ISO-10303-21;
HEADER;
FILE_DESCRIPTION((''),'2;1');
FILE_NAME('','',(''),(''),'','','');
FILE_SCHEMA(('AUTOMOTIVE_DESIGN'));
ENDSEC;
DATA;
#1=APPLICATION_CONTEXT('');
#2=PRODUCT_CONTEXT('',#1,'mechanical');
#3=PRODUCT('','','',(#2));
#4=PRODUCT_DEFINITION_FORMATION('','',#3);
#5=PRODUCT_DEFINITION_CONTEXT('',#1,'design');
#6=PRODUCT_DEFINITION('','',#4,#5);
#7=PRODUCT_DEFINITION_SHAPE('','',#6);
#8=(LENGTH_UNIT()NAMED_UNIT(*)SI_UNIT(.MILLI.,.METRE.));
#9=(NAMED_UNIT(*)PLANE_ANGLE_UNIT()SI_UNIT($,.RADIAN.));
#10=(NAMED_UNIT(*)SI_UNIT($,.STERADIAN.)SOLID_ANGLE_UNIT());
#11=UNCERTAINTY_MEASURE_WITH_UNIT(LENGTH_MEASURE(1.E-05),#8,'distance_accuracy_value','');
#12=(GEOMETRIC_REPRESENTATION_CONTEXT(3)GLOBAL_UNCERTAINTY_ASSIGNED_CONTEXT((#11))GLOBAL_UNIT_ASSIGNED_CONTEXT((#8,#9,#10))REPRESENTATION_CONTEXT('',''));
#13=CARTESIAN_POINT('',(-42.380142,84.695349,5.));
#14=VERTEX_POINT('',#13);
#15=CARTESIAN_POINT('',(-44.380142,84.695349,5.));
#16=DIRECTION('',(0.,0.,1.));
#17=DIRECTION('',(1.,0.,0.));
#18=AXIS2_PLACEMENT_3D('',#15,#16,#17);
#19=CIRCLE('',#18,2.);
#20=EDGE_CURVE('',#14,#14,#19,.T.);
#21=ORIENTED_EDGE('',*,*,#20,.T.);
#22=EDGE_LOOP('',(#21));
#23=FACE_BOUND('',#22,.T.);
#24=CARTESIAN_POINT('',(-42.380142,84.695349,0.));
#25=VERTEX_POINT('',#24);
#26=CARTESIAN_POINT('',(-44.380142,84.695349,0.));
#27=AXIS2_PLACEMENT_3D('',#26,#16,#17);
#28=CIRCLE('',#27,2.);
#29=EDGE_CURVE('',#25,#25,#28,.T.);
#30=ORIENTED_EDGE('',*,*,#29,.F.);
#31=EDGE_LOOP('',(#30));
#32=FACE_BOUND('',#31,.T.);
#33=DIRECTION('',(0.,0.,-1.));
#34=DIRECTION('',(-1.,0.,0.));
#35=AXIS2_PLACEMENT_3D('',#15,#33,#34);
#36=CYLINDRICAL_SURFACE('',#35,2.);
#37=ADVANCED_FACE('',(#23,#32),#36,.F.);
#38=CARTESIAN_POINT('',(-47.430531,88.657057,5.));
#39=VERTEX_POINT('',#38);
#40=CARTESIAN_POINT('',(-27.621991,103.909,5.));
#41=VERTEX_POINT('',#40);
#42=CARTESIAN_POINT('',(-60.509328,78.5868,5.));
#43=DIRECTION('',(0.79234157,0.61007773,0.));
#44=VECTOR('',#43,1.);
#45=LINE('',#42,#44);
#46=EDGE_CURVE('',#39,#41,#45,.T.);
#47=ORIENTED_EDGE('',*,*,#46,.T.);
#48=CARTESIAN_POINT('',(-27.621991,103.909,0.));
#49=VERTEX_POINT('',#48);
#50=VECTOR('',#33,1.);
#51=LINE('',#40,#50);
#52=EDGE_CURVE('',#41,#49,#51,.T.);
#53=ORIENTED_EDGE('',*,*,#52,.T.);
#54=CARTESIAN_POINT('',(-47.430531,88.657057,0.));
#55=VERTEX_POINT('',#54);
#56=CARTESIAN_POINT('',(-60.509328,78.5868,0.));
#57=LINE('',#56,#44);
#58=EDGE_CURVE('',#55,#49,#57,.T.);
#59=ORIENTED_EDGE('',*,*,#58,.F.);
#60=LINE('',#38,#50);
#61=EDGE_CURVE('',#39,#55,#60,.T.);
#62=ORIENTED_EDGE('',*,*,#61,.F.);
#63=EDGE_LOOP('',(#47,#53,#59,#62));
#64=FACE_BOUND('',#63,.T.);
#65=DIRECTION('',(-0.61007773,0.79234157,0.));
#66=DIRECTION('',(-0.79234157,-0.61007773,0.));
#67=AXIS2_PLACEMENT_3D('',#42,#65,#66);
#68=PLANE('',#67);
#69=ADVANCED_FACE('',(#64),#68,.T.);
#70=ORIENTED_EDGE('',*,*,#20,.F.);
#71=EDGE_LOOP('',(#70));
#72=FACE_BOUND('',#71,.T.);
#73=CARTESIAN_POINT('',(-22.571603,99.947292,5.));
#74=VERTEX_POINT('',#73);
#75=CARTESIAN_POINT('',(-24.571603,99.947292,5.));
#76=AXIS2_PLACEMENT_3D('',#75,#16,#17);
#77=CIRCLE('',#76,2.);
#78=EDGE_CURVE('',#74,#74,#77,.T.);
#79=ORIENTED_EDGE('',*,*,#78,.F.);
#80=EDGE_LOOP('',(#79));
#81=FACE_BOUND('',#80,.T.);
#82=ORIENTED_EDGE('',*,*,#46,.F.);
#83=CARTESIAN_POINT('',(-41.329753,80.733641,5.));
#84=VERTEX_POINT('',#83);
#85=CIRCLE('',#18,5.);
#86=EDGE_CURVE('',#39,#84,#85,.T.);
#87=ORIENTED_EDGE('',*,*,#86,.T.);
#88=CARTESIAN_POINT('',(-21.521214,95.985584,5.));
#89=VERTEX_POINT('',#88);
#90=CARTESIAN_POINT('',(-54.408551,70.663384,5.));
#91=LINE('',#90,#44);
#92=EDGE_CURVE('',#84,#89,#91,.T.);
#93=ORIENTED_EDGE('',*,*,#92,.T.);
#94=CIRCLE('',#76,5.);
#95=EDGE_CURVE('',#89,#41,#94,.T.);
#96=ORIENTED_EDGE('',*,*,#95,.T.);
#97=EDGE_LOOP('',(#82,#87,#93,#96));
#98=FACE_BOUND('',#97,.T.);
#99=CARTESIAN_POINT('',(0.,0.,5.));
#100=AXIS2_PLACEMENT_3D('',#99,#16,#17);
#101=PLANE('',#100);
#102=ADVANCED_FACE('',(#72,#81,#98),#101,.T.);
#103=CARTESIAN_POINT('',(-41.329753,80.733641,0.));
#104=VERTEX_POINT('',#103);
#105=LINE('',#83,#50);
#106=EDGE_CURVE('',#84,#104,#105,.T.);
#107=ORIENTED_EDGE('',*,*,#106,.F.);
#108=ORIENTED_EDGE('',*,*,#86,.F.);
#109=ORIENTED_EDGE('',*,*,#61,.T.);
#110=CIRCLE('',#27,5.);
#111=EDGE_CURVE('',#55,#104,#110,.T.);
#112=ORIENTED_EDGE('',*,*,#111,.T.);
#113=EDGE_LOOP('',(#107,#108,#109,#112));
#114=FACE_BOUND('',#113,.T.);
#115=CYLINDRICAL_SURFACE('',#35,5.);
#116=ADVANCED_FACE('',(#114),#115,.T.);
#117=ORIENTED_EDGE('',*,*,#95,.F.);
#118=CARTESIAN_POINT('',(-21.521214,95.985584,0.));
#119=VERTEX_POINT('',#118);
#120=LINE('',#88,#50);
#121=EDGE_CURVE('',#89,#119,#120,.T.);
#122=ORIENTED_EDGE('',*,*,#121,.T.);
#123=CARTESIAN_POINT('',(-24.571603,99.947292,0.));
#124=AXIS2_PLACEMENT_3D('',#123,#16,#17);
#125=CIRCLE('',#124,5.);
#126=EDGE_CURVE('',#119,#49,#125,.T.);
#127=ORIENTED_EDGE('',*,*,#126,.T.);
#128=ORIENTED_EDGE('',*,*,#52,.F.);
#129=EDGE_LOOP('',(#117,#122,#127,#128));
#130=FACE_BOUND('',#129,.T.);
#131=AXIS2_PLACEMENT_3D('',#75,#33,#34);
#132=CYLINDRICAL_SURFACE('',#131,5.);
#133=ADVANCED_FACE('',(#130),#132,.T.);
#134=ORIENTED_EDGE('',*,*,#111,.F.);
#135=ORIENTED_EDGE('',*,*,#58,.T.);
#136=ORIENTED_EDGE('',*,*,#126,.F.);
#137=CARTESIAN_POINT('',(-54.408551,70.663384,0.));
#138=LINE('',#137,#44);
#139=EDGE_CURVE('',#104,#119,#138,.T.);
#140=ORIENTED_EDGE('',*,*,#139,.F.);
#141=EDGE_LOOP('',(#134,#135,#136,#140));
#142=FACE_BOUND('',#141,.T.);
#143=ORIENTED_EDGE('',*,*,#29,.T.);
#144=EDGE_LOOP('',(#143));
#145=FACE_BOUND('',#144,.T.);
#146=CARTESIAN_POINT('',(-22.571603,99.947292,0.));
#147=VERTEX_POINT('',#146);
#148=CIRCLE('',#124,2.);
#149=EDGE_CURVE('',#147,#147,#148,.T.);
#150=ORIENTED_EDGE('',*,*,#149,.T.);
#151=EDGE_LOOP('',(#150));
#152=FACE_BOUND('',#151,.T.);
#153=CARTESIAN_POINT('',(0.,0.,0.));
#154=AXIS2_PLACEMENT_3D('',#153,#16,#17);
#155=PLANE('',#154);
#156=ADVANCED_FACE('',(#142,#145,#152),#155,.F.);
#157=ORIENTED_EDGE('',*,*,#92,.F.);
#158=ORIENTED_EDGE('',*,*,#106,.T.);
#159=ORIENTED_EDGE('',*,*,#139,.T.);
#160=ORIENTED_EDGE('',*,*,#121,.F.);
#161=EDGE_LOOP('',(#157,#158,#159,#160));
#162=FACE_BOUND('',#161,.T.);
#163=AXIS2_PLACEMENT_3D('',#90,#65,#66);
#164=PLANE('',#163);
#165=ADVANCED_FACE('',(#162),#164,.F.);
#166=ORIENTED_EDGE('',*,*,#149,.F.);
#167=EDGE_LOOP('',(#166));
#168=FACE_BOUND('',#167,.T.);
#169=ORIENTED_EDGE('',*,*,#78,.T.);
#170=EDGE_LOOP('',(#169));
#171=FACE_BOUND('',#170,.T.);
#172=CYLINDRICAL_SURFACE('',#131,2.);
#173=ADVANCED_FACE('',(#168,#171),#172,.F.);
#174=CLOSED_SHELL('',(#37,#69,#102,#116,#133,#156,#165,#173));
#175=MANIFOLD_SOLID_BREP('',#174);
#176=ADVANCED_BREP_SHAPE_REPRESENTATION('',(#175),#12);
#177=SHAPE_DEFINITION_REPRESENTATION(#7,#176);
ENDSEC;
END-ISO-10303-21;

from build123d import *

# Parameters (mm, degrees)
SKETCH1_R           = 2
BOSS_EXTRUDE1_DEPTH = 5


with BuildPart() as part:
    # Sketch1 → Boss-Extrude1 (new body)
    with BuildSketch(Plane(origin=(0, 0, 0), x_dir=(0.999757303, -0.022030336, 0), z_dir=(0, 0, 1))):
        with BuildLine():
            Line((-49.372163993, 87.590629426), (-29.904437649, 103.275259833))
            ThreePointArc((-29.904437649, 103.275259833), (-22.873966299, 102.518640646), (-23.630585486, 95.488169295))
            Line((-23.630585486, 95.488169295), (-43.09831183, 79.803538889))
            ThreePointArc((-43.09831183, 79.803538889), (-50.12878318, 80.560158076), (-49.372163993, 87.590629426))
        make_face()
        with Locations((-26.767511567, 99.381714564)):
            Circle(SKETCH1_R, mode=Mode.SUBTRACT)
        with Locations((-46.235237911, 83.697084158)):
            Circle(SKETCH1_R, mode=Mode.SUBTRACT)
    extrude(amount=BOSS_EXTRUDE1_DEPTH)


solid = part.part
